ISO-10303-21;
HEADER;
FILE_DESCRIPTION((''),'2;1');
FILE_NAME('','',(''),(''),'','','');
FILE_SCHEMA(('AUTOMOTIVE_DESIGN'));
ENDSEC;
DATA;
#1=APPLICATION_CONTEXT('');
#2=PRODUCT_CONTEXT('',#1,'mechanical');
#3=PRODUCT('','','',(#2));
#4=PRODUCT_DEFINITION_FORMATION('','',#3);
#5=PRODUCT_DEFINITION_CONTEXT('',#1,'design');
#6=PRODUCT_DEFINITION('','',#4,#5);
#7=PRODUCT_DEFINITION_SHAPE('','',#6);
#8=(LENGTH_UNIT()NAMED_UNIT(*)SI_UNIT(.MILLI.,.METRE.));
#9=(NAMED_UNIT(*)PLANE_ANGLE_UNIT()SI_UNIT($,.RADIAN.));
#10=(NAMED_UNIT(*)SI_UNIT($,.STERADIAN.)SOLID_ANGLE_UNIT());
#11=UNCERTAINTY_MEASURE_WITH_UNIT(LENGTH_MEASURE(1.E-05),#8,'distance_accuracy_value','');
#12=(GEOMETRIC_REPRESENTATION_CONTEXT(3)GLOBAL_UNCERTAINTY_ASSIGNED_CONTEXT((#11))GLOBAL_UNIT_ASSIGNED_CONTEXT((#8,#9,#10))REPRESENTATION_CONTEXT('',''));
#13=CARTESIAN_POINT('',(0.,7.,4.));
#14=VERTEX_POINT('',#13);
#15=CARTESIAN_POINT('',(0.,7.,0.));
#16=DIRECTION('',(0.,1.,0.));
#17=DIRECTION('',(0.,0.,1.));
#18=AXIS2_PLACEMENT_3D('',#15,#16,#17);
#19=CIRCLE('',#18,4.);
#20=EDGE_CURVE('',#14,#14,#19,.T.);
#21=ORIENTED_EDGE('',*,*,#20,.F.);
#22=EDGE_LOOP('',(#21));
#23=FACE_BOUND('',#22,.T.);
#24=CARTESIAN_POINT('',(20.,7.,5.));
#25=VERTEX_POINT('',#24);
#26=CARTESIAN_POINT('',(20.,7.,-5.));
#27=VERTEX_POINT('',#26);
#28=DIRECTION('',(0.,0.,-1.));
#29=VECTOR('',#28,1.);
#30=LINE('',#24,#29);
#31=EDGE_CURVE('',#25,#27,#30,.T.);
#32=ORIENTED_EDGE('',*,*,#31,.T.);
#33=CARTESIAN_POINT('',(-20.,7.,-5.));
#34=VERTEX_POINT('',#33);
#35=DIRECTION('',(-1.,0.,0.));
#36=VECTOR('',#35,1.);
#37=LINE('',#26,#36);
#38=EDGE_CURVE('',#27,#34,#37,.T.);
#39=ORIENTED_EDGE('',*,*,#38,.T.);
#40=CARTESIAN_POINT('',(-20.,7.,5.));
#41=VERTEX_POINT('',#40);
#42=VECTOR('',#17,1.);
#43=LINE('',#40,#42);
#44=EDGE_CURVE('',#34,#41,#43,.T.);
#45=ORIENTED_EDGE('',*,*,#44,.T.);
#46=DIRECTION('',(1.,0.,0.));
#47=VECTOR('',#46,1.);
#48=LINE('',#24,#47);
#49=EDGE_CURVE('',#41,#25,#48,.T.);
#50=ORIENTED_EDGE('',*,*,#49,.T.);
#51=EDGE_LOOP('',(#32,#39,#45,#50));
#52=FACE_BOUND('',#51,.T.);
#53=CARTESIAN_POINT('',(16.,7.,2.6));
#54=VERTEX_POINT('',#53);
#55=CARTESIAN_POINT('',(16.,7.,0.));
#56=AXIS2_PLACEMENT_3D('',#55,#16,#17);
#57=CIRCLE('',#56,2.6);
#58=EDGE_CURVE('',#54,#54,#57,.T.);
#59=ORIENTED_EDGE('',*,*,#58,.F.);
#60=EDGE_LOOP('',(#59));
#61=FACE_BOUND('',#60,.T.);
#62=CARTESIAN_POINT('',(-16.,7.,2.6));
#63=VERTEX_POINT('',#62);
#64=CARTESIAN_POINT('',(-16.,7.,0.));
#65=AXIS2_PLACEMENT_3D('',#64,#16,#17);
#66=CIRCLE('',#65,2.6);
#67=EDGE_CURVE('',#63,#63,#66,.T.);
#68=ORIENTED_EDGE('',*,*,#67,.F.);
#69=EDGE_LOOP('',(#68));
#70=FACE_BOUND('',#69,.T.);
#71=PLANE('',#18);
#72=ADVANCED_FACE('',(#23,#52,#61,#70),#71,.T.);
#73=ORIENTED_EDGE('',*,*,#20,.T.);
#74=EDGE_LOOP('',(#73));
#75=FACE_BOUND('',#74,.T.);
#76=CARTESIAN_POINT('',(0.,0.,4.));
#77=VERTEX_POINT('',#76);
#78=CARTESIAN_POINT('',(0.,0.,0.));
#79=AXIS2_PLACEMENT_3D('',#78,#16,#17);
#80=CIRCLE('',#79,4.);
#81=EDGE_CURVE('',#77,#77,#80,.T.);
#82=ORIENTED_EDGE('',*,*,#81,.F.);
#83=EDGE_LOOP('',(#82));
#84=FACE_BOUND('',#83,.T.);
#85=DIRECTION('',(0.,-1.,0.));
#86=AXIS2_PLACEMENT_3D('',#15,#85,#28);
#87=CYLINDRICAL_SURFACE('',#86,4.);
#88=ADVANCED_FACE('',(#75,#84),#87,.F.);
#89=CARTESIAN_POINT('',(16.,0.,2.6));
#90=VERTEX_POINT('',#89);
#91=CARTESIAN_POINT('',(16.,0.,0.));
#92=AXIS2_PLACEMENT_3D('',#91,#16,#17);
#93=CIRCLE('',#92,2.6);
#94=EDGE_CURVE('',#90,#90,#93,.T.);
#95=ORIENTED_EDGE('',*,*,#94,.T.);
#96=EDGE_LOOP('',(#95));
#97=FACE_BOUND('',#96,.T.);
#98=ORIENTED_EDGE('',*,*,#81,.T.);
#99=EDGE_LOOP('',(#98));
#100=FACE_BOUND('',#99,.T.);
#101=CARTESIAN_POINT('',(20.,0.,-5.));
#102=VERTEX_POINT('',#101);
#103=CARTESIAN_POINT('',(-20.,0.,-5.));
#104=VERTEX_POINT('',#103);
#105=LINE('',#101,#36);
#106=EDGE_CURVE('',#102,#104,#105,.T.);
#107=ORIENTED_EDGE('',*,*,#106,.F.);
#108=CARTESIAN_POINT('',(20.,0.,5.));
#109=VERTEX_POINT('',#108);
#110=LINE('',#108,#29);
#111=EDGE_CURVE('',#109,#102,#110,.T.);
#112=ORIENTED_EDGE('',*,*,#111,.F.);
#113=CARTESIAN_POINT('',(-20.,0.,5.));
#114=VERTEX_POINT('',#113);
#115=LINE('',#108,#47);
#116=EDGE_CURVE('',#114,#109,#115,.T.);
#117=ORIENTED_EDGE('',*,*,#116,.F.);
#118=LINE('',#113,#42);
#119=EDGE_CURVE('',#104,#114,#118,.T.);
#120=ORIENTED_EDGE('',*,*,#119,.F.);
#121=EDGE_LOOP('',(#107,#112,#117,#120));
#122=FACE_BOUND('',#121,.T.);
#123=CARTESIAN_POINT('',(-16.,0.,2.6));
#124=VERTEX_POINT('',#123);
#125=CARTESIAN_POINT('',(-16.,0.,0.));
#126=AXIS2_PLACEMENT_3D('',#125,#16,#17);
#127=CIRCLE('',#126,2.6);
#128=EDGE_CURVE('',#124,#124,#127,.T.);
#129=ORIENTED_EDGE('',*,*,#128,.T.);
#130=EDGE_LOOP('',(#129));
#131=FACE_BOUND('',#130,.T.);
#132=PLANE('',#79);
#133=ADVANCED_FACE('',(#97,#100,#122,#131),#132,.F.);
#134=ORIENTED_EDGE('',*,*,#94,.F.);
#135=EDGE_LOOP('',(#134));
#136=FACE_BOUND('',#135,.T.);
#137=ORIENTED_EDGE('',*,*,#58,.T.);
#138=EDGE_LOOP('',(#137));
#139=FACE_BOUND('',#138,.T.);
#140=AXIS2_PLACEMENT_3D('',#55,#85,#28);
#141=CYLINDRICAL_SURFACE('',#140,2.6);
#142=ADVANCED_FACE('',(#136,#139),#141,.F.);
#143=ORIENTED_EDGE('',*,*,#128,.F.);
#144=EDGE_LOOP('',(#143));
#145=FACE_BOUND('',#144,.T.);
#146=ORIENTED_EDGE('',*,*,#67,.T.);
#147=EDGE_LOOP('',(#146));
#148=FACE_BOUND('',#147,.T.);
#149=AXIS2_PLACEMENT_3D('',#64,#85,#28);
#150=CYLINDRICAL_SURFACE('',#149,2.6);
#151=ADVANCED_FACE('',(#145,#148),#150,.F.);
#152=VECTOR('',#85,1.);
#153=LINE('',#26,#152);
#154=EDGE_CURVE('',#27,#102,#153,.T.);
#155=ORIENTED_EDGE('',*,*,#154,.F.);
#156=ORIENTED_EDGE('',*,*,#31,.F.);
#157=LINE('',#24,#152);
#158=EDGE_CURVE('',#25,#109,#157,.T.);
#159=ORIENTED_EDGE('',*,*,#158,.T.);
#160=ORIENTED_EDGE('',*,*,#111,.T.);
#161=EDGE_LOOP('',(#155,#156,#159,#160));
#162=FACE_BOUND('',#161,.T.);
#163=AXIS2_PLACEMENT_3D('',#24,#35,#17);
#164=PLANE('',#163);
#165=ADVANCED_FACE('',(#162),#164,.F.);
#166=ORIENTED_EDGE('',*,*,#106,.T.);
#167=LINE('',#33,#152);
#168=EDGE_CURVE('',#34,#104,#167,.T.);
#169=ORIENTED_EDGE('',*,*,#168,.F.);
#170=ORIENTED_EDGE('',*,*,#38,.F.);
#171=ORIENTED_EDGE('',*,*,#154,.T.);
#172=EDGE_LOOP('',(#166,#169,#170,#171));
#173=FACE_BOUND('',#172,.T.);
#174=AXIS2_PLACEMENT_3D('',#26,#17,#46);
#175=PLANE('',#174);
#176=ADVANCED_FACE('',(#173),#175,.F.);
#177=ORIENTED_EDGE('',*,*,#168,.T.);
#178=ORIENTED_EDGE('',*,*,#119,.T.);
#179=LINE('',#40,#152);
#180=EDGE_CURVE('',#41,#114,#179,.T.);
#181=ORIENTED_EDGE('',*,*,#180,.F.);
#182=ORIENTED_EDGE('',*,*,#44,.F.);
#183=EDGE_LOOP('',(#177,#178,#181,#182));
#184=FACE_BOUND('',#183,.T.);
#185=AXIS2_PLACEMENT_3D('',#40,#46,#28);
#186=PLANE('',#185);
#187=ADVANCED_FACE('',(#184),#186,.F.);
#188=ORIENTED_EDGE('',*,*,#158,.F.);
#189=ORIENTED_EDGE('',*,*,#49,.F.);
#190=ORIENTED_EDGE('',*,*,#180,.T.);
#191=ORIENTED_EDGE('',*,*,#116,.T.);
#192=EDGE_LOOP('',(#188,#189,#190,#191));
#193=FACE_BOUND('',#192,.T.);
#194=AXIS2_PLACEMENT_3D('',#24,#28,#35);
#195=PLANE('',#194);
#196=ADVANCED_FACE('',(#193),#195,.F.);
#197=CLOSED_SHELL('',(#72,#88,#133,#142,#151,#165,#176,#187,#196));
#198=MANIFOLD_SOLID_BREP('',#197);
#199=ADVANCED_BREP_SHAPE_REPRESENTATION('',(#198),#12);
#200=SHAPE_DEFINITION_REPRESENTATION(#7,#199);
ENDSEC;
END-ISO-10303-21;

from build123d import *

# Parameters (mm, degrees)
SKETCH_1_W      = 40
SKETCH_1_H      = 10
SKETCH_1_R      = 2.6
SKETCH_1_R_2    = 4
EXTRUDE_1_DEPTH = 7


with BuildPart() as part:
    # 草图1 → 凸台-拉伸1 (new body)
    with BuildSketch(Plane(origin=(0, 0, 0), x_dir=(1, 0, 0), z_dir=(0, 1, 0))):
        Rectangle(SKETCH_1_W, SKETCH_1_H)
        with Locations(Location((-16, 0, 0), (0, 0, 270))):
            Circle(SKETCH_1_R, mode=Mode.SUBTRACT)
        with Locations(Location((16, 0, 0), (0, 0, 270))):
            Circle(SKETCH_1_R, mode=Mode.SUBTRACT)
        with Locations(Location((0, 0, 0), (0, 0, 270))):
            Circle(SKETCH_1_R_2, mode=Mode.SUBTRACT)
    extrude(amount=EXTRUDE_1_DEPTH)


solid = part.part
